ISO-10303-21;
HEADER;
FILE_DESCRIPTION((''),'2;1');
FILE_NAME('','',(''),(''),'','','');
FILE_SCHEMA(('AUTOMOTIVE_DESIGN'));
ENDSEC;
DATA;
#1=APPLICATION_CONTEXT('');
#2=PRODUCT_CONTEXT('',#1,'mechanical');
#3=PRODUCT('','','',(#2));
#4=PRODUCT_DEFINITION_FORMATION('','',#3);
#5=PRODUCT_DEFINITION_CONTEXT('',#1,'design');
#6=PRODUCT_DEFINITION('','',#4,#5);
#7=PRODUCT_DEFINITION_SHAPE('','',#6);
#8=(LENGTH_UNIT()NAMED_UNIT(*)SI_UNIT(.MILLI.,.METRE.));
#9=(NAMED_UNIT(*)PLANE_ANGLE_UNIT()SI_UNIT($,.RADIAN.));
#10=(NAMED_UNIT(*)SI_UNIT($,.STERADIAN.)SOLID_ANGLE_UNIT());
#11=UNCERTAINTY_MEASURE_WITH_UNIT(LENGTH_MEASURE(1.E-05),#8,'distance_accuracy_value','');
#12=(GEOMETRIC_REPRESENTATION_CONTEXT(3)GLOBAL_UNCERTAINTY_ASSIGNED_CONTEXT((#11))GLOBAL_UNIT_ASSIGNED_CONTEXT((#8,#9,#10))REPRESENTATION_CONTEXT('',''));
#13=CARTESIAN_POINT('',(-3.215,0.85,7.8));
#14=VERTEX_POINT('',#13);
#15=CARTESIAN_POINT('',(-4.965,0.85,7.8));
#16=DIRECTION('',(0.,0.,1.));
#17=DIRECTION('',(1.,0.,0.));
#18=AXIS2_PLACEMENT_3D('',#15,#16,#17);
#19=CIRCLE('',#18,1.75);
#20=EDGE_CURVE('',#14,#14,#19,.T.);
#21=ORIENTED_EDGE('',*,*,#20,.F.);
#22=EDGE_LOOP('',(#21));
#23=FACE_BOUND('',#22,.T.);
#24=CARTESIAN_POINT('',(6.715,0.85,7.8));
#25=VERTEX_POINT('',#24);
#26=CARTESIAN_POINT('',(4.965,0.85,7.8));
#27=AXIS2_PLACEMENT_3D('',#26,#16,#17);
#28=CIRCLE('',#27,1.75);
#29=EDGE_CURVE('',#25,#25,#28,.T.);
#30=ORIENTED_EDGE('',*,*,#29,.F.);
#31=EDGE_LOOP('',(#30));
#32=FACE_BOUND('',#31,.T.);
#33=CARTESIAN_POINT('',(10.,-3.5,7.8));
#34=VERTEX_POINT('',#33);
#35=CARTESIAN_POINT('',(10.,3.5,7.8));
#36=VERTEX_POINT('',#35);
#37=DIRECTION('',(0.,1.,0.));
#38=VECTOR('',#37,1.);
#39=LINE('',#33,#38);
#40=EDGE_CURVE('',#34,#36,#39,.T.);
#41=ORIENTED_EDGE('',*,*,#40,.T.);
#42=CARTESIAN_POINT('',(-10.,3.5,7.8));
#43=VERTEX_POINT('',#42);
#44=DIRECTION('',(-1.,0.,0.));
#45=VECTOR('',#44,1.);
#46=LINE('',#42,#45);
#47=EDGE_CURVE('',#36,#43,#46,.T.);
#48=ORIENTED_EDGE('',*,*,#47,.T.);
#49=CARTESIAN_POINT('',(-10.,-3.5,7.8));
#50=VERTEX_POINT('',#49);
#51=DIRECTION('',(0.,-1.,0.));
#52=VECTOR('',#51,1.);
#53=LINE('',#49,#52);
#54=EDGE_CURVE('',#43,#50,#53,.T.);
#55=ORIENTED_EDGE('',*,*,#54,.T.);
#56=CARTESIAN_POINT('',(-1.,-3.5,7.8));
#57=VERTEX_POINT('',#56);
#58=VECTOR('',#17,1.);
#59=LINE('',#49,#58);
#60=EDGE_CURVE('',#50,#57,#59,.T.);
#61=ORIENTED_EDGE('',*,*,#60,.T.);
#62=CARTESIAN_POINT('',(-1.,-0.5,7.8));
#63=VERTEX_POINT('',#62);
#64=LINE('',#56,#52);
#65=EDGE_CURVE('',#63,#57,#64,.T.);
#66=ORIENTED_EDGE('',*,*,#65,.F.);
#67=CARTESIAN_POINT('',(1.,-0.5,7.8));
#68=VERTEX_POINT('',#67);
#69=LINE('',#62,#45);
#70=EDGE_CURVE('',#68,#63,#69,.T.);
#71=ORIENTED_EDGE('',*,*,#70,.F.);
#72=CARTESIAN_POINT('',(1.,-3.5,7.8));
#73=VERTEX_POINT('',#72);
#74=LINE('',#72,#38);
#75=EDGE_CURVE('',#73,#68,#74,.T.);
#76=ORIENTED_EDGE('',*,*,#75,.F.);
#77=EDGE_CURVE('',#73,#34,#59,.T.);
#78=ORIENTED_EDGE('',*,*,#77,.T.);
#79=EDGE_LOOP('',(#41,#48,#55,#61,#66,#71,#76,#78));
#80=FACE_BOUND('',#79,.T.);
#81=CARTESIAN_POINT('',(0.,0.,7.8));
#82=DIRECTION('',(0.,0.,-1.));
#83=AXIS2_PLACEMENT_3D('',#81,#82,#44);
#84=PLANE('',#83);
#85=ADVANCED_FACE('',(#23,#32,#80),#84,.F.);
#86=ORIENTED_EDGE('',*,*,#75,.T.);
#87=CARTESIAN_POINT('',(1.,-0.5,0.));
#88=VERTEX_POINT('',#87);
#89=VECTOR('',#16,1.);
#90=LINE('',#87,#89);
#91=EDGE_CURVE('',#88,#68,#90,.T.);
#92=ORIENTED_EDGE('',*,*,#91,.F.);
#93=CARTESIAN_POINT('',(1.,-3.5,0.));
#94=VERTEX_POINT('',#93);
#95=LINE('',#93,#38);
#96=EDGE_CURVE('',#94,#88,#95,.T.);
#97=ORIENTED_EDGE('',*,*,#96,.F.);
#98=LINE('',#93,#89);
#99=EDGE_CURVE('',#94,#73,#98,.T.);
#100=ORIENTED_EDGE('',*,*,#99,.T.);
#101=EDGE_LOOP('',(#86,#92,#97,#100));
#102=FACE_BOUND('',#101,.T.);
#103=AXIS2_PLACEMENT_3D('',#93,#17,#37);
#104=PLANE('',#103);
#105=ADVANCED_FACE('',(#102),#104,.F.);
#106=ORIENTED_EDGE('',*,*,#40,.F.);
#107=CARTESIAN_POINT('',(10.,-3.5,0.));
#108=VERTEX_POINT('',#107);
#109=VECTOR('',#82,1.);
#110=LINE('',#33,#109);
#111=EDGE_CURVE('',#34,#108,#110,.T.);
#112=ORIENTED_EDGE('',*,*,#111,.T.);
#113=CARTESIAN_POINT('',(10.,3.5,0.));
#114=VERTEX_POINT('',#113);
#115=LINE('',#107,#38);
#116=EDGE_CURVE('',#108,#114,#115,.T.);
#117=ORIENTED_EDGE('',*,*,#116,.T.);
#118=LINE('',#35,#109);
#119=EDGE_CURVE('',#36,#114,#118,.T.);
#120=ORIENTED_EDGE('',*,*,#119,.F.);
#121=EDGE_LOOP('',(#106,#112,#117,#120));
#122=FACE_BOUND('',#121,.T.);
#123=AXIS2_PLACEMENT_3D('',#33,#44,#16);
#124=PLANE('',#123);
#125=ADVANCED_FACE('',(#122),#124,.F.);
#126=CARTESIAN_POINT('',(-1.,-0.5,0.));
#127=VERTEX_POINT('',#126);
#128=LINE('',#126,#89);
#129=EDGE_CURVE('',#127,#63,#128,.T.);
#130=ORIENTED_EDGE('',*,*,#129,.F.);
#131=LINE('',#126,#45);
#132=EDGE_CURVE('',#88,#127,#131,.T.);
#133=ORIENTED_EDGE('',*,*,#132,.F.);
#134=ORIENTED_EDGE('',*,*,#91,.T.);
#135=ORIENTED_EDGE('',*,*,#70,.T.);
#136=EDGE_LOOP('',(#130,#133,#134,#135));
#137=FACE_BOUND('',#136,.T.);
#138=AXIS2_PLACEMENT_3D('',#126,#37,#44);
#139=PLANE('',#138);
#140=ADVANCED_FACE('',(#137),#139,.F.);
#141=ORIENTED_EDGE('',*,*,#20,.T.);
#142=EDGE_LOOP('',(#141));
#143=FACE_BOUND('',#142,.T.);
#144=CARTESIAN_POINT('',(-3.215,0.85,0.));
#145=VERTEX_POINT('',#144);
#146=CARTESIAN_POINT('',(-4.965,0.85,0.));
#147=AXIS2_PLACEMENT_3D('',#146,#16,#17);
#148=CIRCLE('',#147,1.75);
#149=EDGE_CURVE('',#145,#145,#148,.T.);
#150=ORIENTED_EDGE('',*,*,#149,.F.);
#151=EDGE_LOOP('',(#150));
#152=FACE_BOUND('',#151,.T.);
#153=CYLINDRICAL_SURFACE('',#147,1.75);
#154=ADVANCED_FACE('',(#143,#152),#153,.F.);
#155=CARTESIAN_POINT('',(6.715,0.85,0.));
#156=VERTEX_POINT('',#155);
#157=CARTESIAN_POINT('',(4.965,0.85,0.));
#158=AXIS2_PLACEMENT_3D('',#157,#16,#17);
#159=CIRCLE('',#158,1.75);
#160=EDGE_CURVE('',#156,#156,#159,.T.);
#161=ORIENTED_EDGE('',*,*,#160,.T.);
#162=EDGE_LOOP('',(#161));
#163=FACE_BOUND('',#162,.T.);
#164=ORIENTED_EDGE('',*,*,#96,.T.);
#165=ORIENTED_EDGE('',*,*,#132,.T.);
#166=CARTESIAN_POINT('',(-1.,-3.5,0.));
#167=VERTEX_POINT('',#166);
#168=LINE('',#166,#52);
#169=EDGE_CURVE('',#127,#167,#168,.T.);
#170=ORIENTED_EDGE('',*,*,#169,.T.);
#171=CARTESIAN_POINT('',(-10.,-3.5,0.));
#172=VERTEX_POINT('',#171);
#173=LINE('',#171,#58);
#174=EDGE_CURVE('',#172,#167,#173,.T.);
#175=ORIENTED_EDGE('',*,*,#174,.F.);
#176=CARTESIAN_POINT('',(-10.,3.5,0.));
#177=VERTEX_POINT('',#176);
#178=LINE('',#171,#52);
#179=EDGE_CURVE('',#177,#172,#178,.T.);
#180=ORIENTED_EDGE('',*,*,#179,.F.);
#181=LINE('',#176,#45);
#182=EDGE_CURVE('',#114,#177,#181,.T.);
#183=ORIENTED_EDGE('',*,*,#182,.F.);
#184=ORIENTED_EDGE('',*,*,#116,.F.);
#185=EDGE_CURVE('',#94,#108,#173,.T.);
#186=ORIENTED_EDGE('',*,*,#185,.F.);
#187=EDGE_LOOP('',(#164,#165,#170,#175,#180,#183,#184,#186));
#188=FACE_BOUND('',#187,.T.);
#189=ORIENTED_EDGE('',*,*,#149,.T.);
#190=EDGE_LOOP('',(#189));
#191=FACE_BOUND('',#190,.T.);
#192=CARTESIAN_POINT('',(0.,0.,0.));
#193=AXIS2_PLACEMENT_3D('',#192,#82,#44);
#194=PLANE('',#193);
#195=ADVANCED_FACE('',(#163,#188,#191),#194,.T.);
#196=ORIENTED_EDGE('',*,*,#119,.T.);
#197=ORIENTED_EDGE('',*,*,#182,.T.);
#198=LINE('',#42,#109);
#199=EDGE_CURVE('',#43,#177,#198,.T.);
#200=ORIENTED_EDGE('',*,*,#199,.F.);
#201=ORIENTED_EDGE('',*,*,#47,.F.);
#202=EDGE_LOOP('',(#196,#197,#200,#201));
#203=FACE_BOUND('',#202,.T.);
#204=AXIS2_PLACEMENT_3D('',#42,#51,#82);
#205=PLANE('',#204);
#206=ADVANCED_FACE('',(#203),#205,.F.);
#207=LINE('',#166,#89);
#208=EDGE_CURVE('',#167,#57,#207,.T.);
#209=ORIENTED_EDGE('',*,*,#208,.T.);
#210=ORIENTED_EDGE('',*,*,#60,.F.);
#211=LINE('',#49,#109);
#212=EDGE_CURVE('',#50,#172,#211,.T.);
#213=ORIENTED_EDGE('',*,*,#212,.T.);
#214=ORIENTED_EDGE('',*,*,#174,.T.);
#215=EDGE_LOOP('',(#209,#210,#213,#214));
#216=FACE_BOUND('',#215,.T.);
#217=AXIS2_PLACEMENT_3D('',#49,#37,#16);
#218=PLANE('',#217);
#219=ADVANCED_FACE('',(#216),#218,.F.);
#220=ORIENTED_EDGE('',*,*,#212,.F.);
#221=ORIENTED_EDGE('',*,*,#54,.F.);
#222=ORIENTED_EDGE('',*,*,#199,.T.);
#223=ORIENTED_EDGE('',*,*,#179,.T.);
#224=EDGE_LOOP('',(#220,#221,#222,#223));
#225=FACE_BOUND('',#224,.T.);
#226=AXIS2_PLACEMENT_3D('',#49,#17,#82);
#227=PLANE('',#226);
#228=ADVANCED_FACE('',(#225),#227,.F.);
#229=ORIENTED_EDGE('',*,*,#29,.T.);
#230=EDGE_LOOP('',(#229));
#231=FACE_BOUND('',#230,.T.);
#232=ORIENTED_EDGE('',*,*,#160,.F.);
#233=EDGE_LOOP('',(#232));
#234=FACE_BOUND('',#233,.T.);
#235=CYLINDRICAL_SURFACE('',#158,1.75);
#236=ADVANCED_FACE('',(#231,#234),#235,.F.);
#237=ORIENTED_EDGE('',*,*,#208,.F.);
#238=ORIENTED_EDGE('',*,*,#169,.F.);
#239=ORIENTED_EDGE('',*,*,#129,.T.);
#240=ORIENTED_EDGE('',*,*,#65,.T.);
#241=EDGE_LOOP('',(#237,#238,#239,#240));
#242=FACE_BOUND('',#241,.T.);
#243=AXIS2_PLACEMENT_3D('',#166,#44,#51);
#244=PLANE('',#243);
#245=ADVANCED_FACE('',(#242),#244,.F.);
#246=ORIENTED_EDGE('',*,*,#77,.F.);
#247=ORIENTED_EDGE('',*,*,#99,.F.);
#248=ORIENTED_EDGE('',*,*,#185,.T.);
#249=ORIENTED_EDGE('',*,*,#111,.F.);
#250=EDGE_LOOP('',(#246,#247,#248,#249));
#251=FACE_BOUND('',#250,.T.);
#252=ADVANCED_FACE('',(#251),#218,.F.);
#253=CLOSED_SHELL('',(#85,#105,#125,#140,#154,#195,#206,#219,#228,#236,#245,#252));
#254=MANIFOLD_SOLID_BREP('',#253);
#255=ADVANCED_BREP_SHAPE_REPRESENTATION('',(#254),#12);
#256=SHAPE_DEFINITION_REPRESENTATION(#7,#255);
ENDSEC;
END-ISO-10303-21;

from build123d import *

# Parameters (mm, degrees)
SKETCH_1_W          = 20
SKETCH_1_H          = 7
EXTRUDE_1_DEPTH     = 7.8
SKETCH_2_R          = 1.75
CUT_EXTRUDE_1_DEPTH = 7.8
SKETCH_3_W          = 2
SKETCH_3_H          = 3
CUT_EXTRUDE_2_DEPTH = 7.8


with BuildPart() as part:
    # 草图1 → 凸台-拉伸1 (new body)
    with BuildSketch(Plane.XY):
        Rectangle(SKETCH_1_W, SKETCH_1_H)
    extrude(amount=EXTRUDE_1_DEPTH)

    # 草图2 → 切除-拉伸1 (cut)
    with BuildSketch(Plane.XY.offset(7.8)):
        with Locations((-4.965, 0.85)):
            Circle(SKETCH_2_R)
        with Locations((4.965, 0.85)):
            Circle(SKETCH_2_R)
    extrude(amount=-CUT_EXTRUDE_1_DEPTH, mode=Mode.SUBTRACT)

    # 草图3 → 切除-拉伸2 (cut)
    with BuildSketch(Plane.XY.offset(7.8)):
        with Locations((0, -2)):
            Rectangle(SKETCH_3_W, SKETCH_3_H)
    extrude(amount=-CUT_EXTRUDE_2_DEPTH, mode=Mode.SUBTRACT)


solid = part.part
